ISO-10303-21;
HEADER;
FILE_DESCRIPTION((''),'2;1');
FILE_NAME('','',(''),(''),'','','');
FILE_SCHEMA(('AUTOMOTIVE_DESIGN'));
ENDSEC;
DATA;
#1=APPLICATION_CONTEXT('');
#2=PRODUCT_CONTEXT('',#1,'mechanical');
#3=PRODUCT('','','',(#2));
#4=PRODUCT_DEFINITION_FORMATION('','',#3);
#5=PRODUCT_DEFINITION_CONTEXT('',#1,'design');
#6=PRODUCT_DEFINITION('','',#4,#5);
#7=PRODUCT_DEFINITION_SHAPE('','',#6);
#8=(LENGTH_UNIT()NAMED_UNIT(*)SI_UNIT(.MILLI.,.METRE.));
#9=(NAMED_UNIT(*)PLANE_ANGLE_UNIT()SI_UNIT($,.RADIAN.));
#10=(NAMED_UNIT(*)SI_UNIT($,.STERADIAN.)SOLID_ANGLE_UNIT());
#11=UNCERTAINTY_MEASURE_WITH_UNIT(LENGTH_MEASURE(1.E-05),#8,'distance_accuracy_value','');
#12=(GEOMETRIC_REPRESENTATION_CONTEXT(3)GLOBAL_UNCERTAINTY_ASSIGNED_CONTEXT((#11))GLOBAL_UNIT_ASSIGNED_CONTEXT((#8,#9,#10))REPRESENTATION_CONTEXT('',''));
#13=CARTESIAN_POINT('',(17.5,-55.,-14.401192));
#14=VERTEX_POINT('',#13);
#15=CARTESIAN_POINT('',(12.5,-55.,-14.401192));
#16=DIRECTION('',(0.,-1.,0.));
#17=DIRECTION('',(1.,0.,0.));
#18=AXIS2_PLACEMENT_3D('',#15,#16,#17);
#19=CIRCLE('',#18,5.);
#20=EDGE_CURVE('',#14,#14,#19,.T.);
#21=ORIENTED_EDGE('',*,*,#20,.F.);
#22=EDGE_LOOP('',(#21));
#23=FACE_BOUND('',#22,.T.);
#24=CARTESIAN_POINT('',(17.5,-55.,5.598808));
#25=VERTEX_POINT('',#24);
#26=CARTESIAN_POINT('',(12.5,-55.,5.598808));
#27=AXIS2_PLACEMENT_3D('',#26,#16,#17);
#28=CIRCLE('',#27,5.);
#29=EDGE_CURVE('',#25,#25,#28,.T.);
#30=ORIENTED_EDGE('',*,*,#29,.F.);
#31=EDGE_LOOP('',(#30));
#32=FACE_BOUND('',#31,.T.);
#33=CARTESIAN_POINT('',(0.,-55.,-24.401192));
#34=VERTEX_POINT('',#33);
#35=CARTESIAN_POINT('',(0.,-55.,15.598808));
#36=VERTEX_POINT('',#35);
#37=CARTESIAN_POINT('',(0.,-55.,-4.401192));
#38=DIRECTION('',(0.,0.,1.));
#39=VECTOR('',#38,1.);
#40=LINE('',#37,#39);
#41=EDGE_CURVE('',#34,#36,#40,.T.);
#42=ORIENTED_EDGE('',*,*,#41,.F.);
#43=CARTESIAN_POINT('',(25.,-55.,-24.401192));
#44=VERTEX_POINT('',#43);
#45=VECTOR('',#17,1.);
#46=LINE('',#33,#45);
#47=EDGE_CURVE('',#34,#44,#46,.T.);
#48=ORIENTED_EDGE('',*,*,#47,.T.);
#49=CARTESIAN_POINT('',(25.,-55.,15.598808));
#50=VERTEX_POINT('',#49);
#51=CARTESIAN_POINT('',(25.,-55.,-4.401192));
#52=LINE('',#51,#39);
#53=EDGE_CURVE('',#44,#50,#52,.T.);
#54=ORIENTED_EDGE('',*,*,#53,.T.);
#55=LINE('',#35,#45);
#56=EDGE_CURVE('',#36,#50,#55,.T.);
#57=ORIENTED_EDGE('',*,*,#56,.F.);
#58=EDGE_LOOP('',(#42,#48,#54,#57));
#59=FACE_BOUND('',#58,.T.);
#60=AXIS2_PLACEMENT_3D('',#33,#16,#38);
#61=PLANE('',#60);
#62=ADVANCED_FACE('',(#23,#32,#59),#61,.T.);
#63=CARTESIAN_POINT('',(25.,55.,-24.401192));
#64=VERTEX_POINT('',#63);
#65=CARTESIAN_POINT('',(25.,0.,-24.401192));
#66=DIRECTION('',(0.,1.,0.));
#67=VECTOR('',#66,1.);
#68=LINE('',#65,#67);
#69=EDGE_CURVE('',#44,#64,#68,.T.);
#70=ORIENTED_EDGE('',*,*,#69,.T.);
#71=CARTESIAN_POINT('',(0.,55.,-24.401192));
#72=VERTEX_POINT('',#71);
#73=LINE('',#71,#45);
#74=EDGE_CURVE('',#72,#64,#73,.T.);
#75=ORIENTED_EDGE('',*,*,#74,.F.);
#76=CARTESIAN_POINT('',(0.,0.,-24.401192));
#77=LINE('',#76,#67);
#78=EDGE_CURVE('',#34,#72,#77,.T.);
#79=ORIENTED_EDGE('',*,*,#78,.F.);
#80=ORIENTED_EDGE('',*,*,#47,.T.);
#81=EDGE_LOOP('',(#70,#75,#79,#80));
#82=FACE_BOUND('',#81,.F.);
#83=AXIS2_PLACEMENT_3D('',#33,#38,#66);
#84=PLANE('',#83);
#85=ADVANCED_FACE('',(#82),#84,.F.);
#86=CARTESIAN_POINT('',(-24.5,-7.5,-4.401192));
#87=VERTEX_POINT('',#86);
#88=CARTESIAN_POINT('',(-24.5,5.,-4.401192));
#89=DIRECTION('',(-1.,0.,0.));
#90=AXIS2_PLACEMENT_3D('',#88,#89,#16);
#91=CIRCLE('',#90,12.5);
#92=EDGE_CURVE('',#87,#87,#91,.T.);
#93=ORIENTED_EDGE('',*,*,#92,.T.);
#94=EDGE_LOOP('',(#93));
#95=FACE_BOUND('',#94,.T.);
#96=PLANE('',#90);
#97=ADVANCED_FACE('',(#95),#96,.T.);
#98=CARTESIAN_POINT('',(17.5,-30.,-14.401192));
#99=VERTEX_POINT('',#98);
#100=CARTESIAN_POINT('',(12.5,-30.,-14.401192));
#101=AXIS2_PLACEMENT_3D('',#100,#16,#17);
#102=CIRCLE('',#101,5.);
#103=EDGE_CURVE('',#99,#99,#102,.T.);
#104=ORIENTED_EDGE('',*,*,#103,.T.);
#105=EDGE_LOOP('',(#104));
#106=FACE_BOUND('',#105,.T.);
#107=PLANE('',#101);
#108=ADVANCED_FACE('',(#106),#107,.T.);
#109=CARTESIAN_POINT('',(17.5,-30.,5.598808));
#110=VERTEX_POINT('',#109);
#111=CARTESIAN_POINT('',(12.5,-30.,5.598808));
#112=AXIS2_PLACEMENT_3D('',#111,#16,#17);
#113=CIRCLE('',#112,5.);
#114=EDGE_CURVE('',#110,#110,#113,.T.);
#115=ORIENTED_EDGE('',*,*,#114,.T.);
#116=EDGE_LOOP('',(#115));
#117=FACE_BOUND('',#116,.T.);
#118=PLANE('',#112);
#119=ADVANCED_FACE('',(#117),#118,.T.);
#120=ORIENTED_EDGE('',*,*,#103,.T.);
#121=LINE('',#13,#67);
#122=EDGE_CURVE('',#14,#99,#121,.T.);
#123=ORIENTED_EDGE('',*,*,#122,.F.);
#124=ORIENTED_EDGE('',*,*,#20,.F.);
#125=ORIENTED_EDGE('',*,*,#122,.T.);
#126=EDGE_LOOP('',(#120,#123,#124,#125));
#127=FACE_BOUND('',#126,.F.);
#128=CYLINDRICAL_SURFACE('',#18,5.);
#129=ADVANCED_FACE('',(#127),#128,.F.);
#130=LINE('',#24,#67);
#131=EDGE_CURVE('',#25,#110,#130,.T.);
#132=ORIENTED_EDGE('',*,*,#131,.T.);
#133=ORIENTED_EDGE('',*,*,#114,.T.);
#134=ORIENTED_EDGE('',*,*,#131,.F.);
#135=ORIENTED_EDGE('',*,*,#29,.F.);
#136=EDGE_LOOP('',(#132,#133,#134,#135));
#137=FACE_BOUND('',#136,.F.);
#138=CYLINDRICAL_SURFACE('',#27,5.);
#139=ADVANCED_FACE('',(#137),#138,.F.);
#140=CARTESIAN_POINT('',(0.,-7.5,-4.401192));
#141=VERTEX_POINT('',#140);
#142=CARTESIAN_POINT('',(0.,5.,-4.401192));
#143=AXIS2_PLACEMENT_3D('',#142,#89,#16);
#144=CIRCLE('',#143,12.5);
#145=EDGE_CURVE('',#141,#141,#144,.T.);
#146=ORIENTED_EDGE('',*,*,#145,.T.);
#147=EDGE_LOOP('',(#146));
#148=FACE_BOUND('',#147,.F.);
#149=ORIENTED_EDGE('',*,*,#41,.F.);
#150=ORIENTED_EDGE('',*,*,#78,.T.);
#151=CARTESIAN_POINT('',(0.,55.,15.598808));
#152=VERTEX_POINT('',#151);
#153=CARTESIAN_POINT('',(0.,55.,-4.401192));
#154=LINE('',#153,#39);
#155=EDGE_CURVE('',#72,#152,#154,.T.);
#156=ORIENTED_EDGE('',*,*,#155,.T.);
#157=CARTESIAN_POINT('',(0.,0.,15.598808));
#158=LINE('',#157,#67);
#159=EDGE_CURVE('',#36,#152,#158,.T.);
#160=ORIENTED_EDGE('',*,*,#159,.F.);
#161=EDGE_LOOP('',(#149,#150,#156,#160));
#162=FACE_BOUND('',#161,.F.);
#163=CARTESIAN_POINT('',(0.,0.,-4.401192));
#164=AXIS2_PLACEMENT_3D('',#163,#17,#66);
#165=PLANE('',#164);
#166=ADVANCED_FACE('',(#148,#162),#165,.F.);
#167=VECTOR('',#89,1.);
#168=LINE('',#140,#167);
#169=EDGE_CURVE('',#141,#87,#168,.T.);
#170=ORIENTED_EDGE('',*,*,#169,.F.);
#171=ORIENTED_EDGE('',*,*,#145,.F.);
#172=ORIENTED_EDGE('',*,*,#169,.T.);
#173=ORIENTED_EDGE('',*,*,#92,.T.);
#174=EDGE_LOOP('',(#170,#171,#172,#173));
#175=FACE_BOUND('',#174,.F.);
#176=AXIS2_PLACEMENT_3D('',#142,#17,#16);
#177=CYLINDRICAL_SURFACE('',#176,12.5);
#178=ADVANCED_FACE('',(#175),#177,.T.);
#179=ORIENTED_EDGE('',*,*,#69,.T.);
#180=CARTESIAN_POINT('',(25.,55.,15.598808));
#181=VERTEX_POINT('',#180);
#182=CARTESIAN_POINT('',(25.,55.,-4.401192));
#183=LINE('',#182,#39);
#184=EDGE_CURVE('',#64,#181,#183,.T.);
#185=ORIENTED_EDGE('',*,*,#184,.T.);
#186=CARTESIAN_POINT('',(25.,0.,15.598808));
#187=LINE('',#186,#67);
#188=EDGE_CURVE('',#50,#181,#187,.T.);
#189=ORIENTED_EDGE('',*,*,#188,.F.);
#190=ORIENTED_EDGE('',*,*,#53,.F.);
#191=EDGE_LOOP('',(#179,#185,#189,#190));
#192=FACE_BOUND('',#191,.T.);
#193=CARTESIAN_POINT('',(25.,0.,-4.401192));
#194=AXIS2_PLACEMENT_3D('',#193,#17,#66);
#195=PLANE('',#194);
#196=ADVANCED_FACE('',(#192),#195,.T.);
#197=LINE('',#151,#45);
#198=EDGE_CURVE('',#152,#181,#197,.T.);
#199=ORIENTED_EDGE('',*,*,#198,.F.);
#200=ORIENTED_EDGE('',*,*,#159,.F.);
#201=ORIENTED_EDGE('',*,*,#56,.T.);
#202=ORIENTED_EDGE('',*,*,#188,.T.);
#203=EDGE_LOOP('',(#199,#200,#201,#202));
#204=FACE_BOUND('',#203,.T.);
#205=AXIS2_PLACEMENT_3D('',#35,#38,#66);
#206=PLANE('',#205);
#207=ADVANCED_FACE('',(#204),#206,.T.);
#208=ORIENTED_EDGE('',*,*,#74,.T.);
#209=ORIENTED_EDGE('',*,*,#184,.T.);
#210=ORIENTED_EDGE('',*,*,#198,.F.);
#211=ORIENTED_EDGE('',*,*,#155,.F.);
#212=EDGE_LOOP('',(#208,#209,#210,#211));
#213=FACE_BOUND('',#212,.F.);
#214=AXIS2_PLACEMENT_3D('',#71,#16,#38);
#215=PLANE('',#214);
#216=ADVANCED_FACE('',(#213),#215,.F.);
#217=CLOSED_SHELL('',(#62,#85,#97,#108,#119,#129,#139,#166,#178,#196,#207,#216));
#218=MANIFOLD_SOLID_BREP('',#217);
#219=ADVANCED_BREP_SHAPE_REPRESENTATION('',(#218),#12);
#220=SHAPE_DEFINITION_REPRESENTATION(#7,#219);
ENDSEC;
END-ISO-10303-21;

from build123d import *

# Parameters (mm, degrees)
F0_W     = 110
F0_H     = 40
F1_DEPTH = 25
F2_R     = 12.5
F3_DEPTH = 24.5
F4_R     = 5
F5_DEPTH = 25
F6_DEPTH = 25


with BuildPart() as f1:
    # F0 (on Right) → F1 (new body)
    with BuildSketch(Plane.YZ):
        with Locations((0, -4.401192)):
            Rectangle(F0_W, F0_H)
    extrude(amount=F1_DEPTH)

    # F2 (on face) → F3 (join)
    with BuildSketch(Plane(origin=(0, 0, 0), x_dir=(0, -1, 0), z_dir=(-1, 0, 0))):
        with Locations((-5, -4.401192)):
            Circle(F2_R)
    extrude(amount=F3_DEPTH)

    # F4 (on face) → F5 (cut)
    with BuildSketch(Plane.XZ.offset(55)):
        with Locations((12.5, 5.598808)):
            Circle(F4_R)
    extrude(amount=-F5_DEPTH, mode=Mode.SUBTRACT)

    # F4 (on face) → F6 (cut)
    with BuildSketch(Plane.XZ.offset(55)):
        with Locations((12.5, 5.598808)):
            Circle(F4_R)
        with Locations((12.5, -14.401192)):
            Circle(F4_R)
    extrude(amount=-F6_DEPTH, mode=Mode.SUBTRACT)


solid = f1.part
